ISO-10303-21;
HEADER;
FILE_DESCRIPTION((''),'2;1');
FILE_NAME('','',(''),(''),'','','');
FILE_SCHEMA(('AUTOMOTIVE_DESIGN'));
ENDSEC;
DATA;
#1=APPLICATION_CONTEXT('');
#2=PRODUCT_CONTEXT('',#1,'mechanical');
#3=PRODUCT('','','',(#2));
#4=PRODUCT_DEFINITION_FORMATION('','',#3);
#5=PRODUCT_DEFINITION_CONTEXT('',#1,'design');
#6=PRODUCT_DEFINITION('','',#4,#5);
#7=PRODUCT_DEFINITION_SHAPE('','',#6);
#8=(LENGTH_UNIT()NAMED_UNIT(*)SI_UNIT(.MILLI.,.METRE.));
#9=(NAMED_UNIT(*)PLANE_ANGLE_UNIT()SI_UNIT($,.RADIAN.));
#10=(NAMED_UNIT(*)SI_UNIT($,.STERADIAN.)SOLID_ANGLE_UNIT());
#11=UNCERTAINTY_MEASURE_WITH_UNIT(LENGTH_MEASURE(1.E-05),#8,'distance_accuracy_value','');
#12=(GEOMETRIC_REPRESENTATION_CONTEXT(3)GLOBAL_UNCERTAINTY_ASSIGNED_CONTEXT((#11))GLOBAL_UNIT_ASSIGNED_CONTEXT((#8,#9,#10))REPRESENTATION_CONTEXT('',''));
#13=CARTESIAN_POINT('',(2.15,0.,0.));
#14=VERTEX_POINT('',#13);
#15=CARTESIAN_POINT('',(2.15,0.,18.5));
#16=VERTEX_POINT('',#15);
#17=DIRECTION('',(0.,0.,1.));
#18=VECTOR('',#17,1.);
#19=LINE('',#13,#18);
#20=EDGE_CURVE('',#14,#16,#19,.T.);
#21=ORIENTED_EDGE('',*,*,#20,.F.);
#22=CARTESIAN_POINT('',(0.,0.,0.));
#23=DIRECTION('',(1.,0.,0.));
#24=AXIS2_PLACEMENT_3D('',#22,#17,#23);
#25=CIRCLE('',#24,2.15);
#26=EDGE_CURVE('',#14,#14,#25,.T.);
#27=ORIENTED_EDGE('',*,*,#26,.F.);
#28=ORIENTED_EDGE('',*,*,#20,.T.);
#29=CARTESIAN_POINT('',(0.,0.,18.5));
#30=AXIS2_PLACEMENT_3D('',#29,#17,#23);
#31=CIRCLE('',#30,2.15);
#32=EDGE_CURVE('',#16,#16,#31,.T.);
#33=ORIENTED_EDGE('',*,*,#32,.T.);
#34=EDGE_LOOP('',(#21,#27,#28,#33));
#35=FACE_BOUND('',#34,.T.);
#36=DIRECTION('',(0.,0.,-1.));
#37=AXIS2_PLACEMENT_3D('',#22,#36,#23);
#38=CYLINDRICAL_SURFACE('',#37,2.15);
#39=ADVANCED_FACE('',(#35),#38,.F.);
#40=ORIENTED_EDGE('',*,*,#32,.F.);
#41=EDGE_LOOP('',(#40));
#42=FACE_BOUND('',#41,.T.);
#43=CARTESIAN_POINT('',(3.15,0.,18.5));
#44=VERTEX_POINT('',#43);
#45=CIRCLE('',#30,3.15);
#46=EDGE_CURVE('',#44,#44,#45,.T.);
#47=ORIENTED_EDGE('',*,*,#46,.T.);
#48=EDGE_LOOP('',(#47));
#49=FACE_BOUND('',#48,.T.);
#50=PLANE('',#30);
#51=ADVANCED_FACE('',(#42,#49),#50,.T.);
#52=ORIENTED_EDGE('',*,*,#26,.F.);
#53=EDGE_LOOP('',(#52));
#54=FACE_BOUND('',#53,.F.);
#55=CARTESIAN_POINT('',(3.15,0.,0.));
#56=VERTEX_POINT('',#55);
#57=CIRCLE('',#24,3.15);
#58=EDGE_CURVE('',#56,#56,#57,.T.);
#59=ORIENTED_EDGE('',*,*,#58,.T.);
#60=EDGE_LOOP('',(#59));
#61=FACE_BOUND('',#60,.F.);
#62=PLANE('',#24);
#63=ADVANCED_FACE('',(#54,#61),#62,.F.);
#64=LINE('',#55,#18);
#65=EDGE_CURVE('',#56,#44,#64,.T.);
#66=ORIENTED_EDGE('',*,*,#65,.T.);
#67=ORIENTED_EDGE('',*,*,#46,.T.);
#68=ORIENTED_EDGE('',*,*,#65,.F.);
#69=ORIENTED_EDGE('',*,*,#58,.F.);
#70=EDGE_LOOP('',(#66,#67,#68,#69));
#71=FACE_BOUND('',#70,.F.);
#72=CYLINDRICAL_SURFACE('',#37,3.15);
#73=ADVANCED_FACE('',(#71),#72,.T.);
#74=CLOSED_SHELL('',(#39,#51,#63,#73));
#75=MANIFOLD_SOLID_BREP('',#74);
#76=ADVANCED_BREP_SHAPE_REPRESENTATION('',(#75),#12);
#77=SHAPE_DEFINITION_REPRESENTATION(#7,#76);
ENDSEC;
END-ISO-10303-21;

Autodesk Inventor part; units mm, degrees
ref_plane "YZ Plane" through (0, 0, 0) normal (1, 0, 0) x (0, 1, 0)
ref_plane "XZ Plane" through (0, 0, 0) normal (0, 1, 0) x (-1, 0, 0)
ref_plane "XY Plane" through (0, 0, 0) normal (0, 0, 1) x (1, 0, 0)
sketch "Skizze1" plane through (0, 0, 0) normal (0, 0, 1) x (1, 0, 0)
  circle A0 centre (0, 0) radius 2.15
  circle A1 centre (0, 0) radius 3.15
  dimension "d0" = 4.3
  dimension "d2" = 1
extrude "Extrusion1" add sketch "Skizze1" along normal blind 18.5
properties part number "BeltDriveAxisSleeve"
